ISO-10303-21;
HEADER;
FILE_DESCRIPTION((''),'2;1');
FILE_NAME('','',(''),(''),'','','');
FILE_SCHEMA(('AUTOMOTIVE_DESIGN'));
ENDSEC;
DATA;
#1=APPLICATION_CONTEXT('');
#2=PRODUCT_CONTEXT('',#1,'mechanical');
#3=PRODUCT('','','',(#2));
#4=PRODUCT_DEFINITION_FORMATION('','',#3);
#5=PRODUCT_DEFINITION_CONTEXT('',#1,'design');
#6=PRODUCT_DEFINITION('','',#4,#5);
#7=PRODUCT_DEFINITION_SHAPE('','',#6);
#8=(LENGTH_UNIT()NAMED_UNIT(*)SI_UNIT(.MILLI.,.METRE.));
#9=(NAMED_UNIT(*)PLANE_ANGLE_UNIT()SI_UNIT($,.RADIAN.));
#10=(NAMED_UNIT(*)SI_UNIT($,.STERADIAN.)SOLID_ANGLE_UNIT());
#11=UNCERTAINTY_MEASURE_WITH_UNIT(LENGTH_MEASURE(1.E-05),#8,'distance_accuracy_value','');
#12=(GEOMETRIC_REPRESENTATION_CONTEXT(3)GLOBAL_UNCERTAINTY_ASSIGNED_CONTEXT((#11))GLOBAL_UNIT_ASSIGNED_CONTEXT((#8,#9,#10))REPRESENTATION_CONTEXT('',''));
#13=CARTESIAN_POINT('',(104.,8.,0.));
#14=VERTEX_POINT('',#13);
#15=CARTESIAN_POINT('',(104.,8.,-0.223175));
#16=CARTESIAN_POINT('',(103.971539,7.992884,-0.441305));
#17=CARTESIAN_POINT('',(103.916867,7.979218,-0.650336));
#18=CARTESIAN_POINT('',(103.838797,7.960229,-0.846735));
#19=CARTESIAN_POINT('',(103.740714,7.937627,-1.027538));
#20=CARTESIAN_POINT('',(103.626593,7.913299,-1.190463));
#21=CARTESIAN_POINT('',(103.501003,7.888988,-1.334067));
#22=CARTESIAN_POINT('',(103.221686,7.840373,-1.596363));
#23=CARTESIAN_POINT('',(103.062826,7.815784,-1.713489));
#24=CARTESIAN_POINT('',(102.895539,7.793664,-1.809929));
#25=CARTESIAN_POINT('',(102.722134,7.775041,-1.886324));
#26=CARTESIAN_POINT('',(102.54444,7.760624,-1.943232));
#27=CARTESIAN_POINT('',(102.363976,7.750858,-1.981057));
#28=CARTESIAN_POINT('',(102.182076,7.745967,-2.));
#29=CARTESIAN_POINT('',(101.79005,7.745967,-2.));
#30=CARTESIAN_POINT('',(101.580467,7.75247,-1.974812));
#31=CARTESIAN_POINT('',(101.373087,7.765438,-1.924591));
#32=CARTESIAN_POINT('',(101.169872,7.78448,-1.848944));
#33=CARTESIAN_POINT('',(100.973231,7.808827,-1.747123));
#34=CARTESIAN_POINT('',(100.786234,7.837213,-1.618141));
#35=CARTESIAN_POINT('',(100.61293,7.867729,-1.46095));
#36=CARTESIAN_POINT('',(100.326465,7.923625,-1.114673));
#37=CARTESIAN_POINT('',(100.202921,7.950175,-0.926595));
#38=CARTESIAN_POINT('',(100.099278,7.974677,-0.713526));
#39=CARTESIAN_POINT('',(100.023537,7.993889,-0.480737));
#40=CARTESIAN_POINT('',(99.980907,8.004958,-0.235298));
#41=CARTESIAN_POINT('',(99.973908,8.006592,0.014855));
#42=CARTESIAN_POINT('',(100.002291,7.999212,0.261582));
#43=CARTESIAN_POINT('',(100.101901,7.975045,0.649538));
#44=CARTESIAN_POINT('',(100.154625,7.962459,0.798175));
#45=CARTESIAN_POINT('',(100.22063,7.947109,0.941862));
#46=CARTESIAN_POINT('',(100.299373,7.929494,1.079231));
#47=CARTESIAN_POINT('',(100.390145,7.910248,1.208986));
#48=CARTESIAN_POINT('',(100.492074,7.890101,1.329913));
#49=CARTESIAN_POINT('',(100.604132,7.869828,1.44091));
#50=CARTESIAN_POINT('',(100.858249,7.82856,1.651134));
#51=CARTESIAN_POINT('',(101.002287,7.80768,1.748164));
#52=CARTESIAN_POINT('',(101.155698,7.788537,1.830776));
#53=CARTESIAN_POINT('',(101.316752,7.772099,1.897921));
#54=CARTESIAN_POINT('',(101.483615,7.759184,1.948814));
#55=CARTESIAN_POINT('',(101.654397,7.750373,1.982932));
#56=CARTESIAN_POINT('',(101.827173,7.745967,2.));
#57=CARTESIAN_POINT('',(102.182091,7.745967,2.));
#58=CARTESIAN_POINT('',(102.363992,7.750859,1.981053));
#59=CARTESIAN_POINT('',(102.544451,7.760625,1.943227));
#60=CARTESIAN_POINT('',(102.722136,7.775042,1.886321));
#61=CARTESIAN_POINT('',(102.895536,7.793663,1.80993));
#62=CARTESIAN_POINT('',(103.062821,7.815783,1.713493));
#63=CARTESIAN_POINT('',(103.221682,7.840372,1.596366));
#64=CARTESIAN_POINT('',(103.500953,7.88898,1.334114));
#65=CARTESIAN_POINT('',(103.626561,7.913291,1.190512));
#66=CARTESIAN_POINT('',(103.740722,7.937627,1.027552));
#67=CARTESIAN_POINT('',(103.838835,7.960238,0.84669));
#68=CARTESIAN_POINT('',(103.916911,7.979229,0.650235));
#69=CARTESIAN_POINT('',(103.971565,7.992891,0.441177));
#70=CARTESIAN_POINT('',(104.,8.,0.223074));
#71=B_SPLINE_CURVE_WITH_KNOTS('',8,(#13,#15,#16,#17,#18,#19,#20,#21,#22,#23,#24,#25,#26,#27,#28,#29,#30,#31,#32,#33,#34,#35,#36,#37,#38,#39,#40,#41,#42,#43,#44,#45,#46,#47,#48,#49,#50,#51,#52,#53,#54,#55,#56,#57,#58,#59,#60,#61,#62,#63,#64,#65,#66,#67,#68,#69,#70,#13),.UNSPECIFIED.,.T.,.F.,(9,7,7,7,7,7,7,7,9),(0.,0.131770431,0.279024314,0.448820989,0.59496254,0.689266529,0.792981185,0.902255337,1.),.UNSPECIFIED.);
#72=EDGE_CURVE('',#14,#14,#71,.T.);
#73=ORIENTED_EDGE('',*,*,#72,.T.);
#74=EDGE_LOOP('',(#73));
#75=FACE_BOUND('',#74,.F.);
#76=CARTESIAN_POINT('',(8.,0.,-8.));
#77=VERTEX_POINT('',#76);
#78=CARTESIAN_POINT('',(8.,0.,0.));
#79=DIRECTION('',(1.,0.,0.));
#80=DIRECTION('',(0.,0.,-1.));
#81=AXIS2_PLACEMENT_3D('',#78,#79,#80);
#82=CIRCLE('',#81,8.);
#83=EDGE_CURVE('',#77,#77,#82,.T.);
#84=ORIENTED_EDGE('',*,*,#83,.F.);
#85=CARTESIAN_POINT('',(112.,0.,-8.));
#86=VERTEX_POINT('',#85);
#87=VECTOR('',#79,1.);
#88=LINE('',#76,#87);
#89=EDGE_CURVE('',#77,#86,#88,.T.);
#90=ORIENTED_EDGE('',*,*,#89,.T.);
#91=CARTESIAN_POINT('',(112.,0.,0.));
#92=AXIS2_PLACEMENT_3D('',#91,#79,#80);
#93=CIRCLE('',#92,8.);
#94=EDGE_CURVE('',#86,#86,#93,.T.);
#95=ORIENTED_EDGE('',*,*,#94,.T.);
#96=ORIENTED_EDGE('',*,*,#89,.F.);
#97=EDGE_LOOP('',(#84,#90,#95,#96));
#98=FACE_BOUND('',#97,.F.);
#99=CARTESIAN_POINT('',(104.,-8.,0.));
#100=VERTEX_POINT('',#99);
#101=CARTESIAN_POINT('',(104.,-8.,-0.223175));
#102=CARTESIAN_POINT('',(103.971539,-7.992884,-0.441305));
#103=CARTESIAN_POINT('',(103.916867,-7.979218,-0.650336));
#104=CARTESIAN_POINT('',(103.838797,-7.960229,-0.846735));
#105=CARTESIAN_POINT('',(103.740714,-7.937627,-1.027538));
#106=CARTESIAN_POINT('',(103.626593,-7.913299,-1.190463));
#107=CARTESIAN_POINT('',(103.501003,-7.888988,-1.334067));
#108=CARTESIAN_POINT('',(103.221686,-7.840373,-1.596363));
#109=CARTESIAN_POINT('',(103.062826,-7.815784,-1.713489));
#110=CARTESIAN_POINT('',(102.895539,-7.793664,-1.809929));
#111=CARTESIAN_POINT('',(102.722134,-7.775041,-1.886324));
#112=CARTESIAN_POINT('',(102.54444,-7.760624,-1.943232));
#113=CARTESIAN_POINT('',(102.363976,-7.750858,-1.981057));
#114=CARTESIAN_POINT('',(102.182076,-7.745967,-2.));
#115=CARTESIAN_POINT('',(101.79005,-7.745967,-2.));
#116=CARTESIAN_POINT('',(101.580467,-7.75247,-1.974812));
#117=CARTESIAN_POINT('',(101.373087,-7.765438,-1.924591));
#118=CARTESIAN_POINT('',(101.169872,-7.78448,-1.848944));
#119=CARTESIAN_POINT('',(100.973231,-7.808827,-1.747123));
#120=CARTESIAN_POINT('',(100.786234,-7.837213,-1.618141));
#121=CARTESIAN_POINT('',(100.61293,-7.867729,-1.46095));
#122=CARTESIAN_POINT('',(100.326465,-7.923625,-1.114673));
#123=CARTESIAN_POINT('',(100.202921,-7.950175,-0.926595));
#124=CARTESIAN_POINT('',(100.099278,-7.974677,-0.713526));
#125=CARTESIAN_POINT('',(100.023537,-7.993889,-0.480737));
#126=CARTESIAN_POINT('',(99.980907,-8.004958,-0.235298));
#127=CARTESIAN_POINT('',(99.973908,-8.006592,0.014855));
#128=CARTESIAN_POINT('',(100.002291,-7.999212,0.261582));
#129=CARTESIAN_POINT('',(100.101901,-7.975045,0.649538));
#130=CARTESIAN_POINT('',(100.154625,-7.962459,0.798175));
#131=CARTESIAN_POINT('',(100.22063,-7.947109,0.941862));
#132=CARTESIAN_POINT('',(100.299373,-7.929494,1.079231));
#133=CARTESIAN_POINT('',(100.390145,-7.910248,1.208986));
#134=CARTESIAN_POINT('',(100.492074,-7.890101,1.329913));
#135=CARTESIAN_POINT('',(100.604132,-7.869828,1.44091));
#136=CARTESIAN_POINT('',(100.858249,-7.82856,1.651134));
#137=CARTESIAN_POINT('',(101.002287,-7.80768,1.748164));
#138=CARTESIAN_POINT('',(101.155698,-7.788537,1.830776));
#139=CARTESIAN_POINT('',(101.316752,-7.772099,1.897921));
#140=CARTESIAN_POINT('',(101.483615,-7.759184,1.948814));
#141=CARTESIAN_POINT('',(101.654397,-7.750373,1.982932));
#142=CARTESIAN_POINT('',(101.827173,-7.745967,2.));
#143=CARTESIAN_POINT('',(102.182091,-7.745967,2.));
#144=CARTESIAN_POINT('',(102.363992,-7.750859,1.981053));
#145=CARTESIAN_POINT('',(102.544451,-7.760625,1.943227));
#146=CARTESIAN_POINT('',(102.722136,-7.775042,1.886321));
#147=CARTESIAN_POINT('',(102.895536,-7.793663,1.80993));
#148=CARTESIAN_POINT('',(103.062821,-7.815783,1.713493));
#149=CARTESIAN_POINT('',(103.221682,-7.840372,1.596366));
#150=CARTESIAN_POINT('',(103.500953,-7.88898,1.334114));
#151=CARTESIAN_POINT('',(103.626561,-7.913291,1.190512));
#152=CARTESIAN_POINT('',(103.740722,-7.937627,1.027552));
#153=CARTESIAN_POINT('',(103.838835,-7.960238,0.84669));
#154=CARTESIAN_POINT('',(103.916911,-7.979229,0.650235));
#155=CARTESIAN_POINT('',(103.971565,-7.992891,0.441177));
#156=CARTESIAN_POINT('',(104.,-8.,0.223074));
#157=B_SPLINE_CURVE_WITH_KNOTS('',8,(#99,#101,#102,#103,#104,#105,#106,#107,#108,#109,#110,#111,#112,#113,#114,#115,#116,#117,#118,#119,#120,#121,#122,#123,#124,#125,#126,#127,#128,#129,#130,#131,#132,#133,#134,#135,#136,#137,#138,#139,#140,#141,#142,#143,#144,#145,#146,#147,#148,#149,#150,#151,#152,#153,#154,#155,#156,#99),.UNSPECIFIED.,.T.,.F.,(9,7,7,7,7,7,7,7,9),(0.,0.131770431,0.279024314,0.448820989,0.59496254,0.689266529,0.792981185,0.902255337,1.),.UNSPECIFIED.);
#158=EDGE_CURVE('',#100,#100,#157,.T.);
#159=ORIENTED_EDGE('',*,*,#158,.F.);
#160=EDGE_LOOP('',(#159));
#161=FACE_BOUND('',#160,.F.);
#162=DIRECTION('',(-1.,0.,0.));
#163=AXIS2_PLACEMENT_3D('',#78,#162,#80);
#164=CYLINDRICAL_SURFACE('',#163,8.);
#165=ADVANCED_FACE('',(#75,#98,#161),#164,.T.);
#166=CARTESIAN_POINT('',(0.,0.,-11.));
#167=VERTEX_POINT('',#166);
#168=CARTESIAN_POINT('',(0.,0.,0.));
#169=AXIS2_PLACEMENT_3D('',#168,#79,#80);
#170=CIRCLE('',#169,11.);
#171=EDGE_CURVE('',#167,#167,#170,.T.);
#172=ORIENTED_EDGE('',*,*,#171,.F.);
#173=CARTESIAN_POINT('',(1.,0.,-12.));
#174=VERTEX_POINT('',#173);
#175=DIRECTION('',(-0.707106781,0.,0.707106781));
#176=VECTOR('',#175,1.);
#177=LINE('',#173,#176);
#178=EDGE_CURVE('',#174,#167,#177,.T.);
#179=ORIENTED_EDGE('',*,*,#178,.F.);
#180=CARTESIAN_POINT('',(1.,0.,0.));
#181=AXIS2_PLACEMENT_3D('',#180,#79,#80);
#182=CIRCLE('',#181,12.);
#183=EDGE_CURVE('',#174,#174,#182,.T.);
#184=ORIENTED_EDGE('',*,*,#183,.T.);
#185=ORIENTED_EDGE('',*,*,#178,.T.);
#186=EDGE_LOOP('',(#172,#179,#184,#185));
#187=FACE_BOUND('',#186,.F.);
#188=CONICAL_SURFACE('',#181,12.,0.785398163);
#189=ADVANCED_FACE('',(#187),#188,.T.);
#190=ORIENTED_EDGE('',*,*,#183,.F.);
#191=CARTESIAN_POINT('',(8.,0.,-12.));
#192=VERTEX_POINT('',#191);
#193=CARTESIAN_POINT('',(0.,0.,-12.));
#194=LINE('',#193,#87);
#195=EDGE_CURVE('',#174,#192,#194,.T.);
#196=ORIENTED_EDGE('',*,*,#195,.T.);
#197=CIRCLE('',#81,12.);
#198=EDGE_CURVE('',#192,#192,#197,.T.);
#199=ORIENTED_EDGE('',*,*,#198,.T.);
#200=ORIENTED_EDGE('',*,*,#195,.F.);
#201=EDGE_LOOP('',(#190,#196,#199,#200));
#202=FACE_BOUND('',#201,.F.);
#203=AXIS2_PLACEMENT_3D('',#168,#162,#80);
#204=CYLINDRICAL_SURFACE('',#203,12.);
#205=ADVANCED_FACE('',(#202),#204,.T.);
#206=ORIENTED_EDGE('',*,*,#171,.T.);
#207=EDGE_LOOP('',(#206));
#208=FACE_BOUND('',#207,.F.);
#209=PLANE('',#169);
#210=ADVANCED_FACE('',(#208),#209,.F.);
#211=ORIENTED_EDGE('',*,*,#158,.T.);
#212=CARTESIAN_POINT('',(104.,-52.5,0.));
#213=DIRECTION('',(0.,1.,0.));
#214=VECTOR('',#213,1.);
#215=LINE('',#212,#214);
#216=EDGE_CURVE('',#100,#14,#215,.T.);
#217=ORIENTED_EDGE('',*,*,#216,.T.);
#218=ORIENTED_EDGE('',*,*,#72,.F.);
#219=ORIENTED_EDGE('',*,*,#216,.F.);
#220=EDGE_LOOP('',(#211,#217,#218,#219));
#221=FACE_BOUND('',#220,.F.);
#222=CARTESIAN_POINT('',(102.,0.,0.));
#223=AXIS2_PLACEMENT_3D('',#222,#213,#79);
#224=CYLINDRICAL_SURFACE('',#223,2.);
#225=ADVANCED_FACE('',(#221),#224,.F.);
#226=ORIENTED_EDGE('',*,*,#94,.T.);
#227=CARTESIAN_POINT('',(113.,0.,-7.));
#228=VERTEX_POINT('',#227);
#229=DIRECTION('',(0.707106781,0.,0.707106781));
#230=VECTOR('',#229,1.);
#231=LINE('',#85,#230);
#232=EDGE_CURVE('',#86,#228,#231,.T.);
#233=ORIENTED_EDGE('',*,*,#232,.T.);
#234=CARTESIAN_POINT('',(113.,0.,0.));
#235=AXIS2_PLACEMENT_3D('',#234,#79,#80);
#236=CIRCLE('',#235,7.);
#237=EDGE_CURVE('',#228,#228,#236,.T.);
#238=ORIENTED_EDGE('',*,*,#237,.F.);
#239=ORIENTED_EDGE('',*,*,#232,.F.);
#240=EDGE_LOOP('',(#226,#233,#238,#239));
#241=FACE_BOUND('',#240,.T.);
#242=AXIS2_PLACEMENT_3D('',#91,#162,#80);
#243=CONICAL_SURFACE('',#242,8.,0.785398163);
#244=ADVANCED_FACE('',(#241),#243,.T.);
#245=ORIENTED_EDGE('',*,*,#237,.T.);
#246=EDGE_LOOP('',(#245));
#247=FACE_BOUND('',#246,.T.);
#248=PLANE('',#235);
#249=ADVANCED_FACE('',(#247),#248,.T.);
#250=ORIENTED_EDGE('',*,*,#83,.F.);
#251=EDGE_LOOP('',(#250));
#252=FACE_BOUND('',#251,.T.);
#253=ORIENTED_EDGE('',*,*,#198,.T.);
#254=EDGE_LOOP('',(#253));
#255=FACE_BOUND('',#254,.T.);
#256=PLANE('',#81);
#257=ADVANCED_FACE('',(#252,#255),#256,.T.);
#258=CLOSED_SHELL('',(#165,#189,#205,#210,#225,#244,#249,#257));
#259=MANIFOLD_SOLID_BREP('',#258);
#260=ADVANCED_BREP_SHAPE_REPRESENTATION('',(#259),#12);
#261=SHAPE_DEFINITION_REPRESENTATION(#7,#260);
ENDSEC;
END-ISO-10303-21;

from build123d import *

# Parameters (mm, degrees)
SKETCH1_R           = 12
BOSS_EXTRUDE1_DEPTH = 8
CHAMFER1_SIZE       = 1
SKETCH2_R           = 8
BOSS_EXTRUDE2_DEPTH = 105
CHAMFER2_SIZE       = 1
SKETCH3_R           = 2
CUT_EXTRUDE1_DEPTH  = 52.5


with BuildPart() as part:
    # Sketch1 → Boss-Extrude1 (new body)
    with BuildSketch(Plane(origin=(0, 0, 0), x_dir=(0, 0, -1), z_dir=(1, 0, 0))):
        Circle(SKETCH1_R)
    extrude(amount=BOSS_EXTRUDE1_DEPTH)

    # Chamfer1
    chamfer1_edges = [part.edges().sort_by_distance(p)[0] for p in [
        (0, 0, 12),
    ]]
    chamfer(chamfer1_edges, length=CHAMFER1_SIZE)

    # Sketch2 → Boss-Extrude2 (add)
    with BuildSketch(Plane(origin=(8, 0, 0), x_dir=(0, 0, -1), z_dir=(1, 0, 0))):
        Circle(SKETCH2_R)
    extrude(amount=BOSS_EXTRUDE2_DEPTH)

    # Chamfer2
    chamfer2_edges = [part.edges().sort_by_distance(p)[0] for p in [
        (113, 0, 8),
    ]]
    chamfer(chamfer2_edges, length=CHAMFER2_SIZE)

    # Sketch3 → Cut-Extrude1 (cut, symmetric)
    with BuildSketch(Plane(origin=(0, 0, 0), x_dir=(1, 0, 0), z_dir=(0, 1, 0))):
        with Locations((102, 0)):
            Circle(SKETCH3_R)
    extrude(amount=CUT_EXTRUDE1_DEPTH, both=True, mode=Mode.SUBTRACT)


solid = part.part
